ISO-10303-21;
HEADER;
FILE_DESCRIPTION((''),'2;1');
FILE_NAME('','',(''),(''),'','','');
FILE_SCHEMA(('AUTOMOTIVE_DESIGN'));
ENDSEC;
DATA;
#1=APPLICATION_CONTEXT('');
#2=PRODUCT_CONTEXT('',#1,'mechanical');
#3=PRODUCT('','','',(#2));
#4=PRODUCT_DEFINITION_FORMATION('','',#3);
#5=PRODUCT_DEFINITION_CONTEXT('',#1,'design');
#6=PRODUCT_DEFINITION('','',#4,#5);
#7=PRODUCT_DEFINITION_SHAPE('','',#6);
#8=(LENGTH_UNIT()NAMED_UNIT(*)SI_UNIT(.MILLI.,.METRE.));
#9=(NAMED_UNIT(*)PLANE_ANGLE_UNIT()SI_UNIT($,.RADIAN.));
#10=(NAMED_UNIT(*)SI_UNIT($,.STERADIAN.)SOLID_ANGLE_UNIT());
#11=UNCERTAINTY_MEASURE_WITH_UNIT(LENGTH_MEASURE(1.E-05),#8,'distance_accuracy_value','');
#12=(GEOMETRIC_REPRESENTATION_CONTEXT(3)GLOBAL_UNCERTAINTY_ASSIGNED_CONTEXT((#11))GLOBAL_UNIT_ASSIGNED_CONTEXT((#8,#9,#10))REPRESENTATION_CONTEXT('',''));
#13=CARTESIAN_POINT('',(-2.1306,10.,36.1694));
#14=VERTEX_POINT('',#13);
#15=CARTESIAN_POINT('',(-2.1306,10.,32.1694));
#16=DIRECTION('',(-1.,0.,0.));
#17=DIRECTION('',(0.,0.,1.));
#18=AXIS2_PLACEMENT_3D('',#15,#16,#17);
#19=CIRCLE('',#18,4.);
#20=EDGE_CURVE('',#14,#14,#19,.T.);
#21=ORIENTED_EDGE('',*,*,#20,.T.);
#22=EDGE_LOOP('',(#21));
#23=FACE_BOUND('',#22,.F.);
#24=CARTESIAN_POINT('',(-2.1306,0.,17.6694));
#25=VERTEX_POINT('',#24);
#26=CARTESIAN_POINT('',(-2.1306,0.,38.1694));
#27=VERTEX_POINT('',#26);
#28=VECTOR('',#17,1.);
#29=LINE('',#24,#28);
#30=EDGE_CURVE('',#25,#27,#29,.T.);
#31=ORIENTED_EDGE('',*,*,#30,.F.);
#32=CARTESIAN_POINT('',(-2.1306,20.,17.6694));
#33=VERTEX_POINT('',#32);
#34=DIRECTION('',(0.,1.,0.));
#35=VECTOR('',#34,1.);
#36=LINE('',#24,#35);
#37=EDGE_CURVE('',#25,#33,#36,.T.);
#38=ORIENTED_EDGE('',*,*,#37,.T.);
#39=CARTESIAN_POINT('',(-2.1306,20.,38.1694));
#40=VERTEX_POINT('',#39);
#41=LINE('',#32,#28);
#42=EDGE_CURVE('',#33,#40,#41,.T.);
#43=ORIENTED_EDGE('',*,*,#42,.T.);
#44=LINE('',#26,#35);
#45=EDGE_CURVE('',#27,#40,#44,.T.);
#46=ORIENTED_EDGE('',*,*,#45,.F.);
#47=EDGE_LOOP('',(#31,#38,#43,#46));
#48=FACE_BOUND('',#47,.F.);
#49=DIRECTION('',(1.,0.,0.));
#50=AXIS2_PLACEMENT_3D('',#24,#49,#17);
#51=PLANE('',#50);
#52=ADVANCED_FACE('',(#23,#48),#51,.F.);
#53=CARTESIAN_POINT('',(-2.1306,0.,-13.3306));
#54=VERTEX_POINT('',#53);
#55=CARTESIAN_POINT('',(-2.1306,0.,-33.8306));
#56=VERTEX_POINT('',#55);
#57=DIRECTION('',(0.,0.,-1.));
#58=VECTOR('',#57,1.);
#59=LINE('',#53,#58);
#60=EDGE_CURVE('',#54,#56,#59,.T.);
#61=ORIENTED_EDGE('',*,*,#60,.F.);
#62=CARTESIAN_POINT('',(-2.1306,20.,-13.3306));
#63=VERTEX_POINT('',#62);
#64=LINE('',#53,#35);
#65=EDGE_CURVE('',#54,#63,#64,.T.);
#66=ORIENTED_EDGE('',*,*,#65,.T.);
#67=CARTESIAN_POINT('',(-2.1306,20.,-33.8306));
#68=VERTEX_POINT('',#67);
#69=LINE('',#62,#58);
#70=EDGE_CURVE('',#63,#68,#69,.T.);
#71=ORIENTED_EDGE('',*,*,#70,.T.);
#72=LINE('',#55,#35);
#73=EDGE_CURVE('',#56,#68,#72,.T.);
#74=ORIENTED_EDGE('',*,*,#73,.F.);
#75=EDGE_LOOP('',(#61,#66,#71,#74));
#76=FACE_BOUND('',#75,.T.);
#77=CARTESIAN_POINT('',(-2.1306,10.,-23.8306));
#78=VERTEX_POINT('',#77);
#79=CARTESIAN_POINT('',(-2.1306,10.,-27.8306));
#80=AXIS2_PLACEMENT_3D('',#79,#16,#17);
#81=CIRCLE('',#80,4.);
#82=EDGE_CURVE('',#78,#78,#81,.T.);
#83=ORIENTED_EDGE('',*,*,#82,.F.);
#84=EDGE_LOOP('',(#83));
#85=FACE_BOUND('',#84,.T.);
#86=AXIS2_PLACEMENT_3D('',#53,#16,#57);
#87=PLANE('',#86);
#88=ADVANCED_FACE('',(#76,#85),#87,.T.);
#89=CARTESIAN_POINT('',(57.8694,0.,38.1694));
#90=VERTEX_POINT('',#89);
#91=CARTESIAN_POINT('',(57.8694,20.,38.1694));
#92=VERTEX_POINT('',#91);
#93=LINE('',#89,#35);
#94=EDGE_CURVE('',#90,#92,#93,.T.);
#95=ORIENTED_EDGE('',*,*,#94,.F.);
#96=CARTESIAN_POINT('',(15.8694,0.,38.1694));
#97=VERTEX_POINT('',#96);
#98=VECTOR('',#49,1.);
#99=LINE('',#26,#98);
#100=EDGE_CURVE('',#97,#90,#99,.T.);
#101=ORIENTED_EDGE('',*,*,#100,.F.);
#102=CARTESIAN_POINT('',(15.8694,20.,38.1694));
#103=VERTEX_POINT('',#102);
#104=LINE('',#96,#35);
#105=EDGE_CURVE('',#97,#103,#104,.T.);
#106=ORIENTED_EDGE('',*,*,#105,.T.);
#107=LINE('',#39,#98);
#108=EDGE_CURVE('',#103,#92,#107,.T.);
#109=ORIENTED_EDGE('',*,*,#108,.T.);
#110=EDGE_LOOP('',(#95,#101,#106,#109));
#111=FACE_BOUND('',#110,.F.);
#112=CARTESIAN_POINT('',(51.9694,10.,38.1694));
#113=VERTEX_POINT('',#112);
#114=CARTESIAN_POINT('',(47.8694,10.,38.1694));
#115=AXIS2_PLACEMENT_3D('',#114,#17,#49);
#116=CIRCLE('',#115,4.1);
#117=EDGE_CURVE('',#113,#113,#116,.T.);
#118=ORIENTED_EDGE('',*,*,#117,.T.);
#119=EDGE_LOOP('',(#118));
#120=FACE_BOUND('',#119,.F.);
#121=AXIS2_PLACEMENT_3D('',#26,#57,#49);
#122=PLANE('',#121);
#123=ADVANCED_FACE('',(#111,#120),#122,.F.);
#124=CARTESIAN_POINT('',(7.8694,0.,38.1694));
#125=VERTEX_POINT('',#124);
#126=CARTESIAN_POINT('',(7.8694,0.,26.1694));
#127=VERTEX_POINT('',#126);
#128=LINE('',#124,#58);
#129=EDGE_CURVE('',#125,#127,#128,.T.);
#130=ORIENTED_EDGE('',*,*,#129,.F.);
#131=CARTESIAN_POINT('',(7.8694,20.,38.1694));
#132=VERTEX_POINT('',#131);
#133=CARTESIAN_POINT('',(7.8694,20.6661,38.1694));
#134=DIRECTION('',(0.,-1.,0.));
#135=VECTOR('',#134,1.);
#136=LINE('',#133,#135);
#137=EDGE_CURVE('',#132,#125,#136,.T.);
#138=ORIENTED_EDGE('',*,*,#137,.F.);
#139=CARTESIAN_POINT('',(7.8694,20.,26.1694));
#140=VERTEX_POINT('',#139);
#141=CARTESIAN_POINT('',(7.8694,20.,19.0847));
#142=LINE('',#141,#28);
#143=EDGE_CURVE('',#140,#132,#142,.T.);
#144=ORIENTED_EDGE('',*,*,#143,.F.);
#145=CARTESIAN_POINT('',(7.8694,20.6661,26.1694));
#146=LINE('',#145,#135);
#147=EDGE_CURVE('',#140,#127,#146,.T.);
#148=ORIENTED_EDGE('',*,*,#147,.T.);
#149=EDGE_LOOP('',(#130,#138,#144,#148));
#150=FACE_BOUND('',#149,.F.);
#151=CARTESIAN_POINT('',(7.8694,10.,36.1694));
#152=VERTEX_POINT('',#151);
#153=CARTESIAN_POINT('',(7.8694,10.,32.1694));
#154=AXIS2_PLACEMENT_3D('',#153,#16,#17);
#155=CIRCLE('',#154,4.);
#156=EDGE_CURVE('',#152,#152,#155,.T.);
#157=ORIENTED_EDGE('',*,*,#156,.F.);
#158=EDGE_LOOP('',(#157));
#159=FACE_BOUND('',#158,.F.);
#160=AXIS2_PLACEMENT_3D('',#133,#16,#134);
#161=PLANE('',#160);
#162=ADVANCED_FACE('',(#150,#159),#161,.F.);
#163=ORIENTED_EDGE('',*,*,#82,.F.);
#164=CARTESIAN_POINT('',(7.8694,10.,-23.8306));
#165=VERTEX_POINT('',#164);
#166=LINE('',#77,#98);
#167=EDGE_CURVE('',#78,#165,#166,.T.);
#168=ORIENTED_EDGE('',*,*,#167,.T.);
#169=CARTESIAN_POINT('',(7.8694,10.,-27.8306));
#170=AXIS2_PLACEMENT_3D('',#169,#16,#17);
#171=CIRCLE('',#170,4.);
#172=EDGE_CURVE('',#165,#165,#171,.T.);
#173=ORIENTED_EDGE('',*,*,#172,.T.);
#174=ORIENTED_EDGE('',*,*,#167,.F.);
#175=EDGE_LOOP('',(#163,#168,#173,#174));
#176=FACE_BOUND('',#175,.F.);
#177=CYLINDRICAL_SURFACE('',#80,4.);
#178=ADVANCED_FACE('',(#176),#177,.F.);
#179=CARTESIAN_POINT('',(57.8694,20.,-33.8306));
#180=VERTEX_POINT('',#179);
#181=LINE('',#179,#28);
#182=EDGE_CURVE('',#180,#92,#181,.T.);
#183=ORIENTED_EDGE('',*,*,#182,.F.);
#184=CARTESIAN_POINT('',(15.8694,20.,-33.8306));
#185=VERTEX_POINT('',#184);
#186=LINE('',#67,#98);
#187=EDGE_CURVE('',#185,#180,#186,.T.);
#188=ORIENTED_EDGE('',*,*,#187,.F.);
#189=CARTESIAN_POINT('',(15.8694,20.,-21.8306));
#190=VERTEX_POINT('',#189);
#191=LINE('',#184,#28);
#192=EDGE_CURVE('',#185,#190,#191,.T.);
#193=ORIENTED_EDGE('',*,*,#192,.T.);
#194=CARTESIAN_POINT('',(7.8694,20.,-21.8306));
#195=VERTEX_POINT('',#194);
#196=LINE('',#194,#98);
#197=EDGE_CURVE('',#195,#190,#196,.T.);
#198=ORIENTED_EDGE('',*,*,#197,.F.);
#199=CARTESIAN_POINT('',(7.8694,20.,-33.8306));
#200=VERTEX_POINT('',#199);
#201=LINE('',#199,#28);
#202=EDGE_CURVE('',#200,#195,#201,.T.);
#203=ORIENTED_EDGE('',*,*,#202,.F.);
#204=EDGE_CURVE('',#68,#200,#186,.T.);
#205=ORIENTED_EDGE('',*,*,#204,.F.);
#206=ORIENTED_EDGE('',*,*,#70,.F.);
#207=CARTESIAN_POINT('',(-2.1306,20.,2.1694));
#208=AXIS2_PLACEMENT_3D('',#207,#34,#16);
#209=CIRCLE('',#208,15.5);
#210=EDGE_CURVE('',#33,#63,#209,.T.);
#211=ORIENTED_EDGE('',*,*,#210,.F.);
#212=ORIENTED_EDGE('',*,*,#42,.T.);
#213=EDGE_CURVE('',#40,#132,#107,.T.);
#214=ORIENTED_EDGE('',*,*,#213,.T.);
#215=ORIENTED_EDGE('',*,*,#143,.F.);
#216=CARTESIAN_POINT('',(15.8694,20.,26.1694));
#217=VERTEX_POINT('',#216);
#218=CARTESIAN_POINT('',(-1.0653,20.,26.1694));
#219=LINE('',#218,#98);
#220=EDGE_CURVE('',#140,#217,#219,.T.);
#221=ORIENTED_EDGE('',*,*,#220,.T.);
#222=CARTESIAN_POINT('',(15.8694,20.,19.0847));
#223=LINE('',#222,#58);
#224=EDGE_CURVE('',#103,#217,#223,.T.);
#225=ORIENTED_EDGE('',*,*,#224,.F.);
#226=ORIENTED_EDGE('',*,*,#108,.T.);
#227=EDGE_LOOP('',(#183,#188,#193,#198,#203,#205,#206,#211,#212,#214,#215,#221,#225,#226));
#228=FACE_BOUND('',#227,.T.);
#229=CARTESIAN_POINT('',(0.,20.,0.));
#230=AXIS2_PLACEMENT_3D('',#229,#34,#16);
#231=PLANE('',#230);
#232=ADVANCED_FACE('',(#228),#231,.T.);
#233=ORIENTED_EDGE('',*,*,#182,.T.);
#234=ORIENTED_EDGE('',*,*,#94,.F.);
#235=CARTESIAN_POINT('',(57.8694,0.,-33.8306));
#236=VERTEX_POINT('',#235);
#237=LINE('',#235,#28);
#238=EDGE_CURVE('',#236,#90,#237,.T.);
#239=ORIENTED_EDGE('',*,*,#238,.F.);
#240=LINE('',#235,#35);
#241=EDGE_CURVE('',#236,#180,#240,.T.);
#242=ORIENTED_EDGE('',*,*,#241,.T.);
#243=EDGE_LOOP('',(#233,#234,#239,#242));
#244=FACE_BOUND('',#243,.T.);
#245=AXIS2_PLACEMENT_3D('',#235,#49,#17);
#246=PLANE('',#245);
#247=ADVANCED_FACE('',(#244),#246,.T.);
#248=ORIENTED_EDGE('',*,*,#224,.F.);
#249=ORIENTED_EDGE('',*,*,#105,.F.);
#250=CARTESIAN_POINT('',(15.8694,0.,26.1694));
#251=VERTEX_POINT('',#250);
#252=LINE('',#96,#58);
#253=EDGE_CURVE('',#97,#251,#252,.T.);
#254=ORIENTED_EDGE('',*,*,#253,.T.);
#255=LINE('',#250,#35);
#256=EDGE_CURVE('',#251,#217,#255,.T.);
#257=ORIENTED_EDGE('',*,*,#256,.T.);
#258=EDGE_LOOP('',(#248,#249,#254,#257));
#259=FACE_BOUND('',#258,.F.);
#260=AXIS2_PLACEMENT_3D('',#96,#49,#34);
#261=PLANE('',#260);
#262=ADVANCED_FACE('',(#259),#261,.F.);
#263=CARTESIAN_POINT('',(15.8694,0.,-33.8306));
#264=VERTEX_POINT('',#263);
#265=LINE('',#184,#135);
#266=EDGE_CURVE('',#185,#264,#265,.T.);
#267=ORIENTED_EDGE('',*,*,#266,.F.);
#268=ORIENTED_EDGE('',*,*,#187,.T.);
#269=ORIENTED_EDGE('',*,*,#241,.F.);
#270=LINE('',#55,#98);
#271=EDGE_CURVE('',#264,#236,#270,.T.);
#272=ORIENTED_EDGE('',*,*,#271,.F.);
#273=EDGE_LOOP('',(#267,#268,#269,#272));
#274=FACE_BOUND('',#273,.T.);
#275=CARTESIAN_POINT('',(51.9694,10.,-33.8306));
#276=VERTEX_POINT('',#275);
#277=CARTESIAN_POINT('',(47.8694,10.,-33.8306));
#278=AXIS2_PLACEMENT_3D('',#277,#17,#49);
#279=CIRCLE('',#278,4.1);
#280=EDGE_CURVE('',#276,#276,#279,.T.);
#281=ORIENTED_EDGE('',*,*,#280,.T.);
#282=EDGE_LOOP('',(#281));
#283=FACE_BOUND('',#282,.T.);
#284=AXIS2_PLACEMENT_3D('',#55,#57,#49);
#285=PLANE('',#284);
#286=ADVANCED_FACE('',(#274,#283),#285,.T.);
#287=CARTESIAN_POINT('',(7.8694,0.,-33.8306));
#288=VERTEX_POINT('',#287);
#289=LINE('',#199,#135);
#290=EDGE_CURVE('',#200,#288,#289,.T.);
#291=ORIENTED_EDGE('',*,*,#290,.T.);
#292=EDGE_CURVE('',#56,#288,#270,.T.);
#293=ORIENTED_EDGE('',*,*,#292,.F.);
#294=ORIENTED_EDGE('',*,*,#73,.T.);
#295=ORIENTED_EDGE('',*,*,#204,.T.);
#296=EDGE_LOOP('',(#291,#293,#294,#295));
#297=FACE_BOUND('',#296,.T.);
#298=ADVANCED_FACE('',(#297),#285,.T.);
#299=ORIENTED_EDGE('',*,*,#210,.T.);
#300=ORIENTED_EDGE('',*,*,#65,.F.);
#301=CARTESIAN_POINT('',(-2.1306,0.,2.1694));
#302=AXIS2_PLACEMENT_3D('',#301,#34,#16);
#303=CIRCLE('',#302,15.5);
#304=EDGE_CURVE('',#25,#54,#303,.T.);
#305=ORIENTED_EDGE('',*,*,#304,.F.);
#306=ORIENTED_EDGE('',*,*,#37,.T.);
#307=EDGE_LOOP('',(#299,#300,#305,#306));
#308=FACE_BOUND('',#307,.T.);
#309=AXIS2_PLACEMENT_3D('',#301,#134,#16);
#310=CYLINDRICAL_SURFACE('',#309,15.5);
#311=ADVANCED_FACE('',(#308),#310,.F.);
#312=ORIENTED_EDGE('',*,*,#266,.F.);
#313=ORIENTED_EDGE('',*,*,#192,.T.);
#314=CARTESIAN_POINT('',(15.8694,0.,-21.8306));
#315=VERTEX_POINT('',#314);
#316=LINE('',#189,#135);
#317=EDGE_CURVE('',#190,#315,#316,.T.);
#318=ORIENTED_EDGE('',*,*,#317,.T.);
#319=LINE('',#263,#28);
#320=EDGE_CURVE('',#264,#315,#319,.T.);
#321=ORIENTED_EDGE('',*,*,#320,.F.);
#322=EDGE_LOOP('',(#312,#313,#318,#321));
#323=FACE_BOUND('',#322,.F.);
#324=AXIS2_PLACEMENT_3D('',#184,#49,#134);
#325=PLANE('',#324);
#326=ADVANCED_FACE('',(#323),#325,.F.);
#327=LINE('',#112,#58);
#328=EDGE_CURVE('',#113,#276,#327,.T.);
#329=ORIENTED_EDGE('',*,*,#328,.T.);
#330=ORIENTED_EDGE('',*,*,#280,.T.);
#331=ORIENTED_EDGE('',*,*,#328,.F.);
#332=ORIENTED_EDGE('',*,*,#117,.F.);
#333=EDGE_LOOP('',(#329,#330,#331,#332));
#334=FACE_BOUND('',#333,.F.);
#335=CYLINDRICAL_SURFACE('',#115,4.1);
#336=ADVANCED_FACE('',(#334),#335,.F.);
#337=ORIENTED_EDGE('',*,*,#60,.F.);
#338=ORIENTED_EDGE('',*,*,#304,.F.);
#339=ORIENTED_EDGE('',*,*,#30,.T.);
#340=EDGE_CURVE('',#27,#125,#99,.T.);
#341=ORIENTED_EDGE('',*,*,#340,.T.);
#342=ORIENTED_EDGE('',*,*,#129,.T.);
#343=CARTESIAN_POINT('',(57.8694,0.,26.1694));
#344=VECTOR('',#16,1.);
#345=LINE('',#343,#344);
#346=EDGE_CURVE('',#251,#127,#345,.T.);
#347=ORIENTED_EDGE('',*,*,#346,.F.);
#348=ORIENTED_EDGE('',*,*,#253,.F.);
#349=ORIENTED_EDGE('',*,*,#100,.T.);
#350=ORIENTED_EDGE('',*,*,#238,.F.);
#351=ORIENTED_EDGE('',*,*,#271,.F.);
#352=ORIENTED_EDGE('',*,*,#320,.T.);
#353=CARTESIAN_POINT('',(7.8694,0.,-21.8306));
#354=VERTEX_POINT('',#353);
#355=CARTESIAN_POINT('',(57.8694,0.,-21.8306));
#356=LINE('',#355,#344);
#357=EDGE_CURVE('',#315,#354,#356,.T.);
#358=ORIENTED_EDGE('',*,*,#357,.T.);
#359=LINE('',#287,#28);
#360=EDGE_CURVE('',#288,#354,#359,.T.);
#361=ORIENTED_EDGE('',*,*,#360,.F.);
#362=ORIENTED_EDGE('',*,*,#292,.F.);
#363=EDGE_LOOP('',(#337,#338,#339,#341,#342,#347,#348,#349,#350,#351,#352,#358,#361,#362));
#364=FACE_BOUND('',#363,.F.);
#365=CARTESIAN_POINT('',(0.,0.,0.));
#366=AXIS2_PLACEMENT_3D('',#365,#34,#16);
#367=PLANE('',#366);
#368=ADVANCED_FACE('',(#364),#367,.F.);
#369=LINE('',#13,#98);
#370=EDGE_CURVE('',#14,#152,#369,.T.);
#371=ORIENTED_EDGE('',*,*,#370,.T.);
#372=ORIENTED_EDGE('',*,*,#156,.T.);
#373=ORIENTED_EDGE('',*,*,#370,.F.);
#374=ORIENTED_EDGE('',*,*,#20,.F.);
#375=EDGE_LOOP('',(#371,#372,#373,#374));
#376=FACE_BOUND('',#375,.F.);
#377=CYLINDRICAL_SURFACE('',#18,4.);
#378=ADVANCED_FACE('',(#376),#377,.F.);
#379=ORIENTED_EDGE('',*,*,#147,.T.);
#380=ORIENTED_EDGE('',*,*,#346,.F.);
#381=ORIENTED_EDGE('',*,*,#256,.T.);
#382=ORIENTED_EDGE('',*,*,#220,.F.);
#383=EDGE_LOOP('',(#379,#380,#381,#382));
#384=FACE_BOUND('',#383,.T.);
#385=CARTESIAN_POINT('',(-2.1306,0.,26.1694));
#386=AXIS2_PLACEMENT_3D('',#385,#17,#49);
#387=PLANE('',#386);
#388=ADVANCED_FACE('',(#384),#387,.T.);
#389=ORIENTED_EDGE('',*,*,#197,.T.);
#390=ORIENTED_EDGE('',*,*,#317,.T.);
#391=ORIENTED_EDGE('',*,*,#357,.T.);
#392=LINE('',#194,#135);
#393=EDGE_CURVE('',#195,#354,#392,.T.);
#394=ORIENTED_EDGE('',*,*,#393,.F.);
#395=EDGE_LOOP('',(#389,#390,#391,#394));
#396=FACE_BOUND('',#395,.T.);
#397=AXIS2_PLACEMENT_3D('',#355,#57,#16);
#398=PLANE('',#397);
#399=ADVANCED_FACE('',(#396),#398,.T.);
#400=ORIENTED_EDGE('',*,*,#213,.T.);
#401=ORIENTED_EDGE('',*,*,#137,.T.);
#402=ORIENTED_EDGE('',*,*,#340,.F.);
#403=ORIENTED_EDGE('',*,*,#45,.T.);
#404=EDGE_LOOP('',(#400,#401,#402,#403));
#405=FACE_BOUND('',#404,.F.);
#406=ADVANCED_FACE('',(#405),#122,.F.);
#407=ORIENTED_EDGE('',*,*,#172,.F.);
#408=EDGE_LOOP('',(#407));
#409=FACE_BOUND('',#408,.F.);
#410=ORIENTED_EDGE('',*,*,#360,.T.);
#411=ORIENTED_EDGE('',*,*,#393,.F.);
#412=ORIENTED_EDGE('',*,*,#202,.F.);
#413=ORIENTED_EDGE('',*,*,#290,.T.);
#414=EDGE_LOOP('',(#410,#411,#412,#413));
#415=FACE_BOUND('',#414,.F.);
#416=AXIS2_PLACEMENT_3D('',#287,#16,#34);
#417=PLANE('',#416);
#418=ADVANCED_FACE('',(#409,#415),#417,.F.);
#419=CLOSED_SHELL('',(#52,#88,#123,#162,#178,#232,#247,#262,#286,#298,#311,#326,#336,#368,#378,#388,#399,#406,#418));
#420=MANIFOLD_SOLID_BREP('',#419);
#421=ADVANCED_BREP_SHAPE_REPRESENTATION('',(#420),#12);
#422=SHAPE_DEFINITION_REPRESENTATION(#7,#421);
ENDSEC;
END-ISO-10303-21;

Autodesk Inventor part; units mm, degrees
ref_plane "YZ Plane" through (0, 0, 0) normal (1, 0, 0) x (0, 1, 0)
ref_plane "XZ Plane" through (0, 0, 0) normal (0, 1, 0) x (-1, 0, 0)
ref_plane "XY Plane" through (0, 0, 0) normal (0, 0, 1) x (1, 0, 0)
sketch "Sketch1" plane through (0, 0, 0) normal (0, 1, 0) x (-1, 0, 0)
  circle A0 centre (2.1306, 2.1694) radius 15.5
  line L0 (2.1306, 17.6694) -> (2.1306, 38.1694)
  line L1 (2.1306, -13.3306) -> (2.1306, -33.8306)
  line L2 (2.1306, 38.1694) -> (-57.8694, 38.1694)
  line L3 (2.1306, -33.8306) -> (-57.8694, -33.8306)
  line L4 (-57.8694, -33.8306) -> (-57.8694, 38.1694)
  line L5 (2.1306, 38.1694) -> (34.8074, 38.1694)
  line L6 (34.8074, 38.1694) -> (34.8074, -33.8306)
  line L7 (34.8074, -33.8306) -> (2.1306, -33.8306)
  circle A1 centre (2.1306, 2.1694) radius 15.25
  point P0 (0, 0)
  dimension "d0" = 31
  dimension "d1" = 20.5
  dimension "d2" = 20.5
  dimension "d3" = 60
  dimension "d4" = 30.5
extrude "Extrusion1" add sketch "Sketch1" along normal blind 20 contours A0 L1 L3 L4 L2 L0
ref_plane "Work Plane1" through (-2.1306, 0, 38.1694) normal (0, 0, 1) x (1, 0, 0)
sketch "Sketch2" plane through (-2.1306, 0, 38.1694) normal (0, 0, 1) x (1, 0, 0)
  line L0 (60, 0) -> (60, 20) projected
  line L1 (60, 10) -> (50, 10)
  circle A0 centre (50, 10) radius 4.1
  point P0 (2.1306, 0)
  dimension "d31" = 8.2
extrude "Extrusion2" cut sketch "Sketch2" against normal blind 192.5
ref_plane "Work Plane2" through (-2.1306, 0, 17.6694) normal (-1, 0, 0) x (0, 0, 1)
sketch "Sketch3" plane through (-2.1306, 0, 17.6694) normal (-1, 0, 0) x (0, 0, 1)
  point P0 (-17.6694, 0)
sketch "Sketch4" plane through (-2.1306, 0, 17.6694) normal (-1, 0, 0) x (0, 0, 1)
  line L0 (20.5, 0) -> (20.5, 20) projected
  circle A0 centre (14.5, 10) radius 4
  point P0 (-17.6694, 0)
  dimension "d14" = 8
sketch "Sketch5" plane through (-2.1306, 0, 38.1694) normal (0, 0, 1) x (1, 0, 0)
  line L0 (0, 0) -> (0, 20) projected
  line L1 (60, 0) -> (0, 0) projected
  line L2 (10, 0) -> (18, 0)
  line L3 (18, 0) -> (18, 20.6661)
  line L4 (18, 20.6661) -> (10, 20.6661)
  line L5 (10, 20.6661) -> (10, 0)
  point P0 (2.1306, 0)
  dimension "d16" = 8
extrude "Extrusion3" cut sketch "Sketch5" against normal blind 12
extrude "Extrusion4" cut sketch "Sketch4" against normal blind 12.5
ref_plane "Work Plane3" through (-2.1306, 0, -33.8306) normal (-1, 0, 0) x (0, 0, 1)
sketch "Sketch6" plane through (-2.1306, 0, -33.8306) normal (-1, 0, 0) x (0, 0, 1)
  line L0 (0, 6) -> (0, 14) projected
  circle A0 centre (6, 10) radius 4
  point P0 (33.8306, 0)
  dimension "d23" = 8
ref_plane "Work Plane4" through (57.8694, 0, -33.8306) normal (0, 0, -1) x (-1, 0, 0)
sketch "Sketch7" plane through (57.8694, 0, -33.8306) normal (0, 0, -1) x (-1, 0, 0)
  line L0 (60, 0) -> (60, 20) projected
  line L1 (50, 0) -> (50, 20) projected
  line L2 (50, 10) -> (50, 20)
  line L3 (0, 0) -> (60, 0) projected
  line L4 (50, 20) -> (42, 20)
  line L5 (42, 20) -> (42, 0)
  line L6 (42, 0) -> (50, 0)
  line L7 (50, 0) -> (50, 20)
  point P0 (57.8694, 0)
  dimension "d26" = 8
extrude "Extrusion5" cut sketch "Sketch7" against normal blind 12
extrude "Extrusion6" cut sketch "Sketch6" against normal blind 11.75
sketch "Sketch8" plane through (-2.1306, 0, 17.6694) normal (-1, 0, 0) x (0, 0, 1)
  point P0 (-17.6694, 0)
properties part number "BIKE"
